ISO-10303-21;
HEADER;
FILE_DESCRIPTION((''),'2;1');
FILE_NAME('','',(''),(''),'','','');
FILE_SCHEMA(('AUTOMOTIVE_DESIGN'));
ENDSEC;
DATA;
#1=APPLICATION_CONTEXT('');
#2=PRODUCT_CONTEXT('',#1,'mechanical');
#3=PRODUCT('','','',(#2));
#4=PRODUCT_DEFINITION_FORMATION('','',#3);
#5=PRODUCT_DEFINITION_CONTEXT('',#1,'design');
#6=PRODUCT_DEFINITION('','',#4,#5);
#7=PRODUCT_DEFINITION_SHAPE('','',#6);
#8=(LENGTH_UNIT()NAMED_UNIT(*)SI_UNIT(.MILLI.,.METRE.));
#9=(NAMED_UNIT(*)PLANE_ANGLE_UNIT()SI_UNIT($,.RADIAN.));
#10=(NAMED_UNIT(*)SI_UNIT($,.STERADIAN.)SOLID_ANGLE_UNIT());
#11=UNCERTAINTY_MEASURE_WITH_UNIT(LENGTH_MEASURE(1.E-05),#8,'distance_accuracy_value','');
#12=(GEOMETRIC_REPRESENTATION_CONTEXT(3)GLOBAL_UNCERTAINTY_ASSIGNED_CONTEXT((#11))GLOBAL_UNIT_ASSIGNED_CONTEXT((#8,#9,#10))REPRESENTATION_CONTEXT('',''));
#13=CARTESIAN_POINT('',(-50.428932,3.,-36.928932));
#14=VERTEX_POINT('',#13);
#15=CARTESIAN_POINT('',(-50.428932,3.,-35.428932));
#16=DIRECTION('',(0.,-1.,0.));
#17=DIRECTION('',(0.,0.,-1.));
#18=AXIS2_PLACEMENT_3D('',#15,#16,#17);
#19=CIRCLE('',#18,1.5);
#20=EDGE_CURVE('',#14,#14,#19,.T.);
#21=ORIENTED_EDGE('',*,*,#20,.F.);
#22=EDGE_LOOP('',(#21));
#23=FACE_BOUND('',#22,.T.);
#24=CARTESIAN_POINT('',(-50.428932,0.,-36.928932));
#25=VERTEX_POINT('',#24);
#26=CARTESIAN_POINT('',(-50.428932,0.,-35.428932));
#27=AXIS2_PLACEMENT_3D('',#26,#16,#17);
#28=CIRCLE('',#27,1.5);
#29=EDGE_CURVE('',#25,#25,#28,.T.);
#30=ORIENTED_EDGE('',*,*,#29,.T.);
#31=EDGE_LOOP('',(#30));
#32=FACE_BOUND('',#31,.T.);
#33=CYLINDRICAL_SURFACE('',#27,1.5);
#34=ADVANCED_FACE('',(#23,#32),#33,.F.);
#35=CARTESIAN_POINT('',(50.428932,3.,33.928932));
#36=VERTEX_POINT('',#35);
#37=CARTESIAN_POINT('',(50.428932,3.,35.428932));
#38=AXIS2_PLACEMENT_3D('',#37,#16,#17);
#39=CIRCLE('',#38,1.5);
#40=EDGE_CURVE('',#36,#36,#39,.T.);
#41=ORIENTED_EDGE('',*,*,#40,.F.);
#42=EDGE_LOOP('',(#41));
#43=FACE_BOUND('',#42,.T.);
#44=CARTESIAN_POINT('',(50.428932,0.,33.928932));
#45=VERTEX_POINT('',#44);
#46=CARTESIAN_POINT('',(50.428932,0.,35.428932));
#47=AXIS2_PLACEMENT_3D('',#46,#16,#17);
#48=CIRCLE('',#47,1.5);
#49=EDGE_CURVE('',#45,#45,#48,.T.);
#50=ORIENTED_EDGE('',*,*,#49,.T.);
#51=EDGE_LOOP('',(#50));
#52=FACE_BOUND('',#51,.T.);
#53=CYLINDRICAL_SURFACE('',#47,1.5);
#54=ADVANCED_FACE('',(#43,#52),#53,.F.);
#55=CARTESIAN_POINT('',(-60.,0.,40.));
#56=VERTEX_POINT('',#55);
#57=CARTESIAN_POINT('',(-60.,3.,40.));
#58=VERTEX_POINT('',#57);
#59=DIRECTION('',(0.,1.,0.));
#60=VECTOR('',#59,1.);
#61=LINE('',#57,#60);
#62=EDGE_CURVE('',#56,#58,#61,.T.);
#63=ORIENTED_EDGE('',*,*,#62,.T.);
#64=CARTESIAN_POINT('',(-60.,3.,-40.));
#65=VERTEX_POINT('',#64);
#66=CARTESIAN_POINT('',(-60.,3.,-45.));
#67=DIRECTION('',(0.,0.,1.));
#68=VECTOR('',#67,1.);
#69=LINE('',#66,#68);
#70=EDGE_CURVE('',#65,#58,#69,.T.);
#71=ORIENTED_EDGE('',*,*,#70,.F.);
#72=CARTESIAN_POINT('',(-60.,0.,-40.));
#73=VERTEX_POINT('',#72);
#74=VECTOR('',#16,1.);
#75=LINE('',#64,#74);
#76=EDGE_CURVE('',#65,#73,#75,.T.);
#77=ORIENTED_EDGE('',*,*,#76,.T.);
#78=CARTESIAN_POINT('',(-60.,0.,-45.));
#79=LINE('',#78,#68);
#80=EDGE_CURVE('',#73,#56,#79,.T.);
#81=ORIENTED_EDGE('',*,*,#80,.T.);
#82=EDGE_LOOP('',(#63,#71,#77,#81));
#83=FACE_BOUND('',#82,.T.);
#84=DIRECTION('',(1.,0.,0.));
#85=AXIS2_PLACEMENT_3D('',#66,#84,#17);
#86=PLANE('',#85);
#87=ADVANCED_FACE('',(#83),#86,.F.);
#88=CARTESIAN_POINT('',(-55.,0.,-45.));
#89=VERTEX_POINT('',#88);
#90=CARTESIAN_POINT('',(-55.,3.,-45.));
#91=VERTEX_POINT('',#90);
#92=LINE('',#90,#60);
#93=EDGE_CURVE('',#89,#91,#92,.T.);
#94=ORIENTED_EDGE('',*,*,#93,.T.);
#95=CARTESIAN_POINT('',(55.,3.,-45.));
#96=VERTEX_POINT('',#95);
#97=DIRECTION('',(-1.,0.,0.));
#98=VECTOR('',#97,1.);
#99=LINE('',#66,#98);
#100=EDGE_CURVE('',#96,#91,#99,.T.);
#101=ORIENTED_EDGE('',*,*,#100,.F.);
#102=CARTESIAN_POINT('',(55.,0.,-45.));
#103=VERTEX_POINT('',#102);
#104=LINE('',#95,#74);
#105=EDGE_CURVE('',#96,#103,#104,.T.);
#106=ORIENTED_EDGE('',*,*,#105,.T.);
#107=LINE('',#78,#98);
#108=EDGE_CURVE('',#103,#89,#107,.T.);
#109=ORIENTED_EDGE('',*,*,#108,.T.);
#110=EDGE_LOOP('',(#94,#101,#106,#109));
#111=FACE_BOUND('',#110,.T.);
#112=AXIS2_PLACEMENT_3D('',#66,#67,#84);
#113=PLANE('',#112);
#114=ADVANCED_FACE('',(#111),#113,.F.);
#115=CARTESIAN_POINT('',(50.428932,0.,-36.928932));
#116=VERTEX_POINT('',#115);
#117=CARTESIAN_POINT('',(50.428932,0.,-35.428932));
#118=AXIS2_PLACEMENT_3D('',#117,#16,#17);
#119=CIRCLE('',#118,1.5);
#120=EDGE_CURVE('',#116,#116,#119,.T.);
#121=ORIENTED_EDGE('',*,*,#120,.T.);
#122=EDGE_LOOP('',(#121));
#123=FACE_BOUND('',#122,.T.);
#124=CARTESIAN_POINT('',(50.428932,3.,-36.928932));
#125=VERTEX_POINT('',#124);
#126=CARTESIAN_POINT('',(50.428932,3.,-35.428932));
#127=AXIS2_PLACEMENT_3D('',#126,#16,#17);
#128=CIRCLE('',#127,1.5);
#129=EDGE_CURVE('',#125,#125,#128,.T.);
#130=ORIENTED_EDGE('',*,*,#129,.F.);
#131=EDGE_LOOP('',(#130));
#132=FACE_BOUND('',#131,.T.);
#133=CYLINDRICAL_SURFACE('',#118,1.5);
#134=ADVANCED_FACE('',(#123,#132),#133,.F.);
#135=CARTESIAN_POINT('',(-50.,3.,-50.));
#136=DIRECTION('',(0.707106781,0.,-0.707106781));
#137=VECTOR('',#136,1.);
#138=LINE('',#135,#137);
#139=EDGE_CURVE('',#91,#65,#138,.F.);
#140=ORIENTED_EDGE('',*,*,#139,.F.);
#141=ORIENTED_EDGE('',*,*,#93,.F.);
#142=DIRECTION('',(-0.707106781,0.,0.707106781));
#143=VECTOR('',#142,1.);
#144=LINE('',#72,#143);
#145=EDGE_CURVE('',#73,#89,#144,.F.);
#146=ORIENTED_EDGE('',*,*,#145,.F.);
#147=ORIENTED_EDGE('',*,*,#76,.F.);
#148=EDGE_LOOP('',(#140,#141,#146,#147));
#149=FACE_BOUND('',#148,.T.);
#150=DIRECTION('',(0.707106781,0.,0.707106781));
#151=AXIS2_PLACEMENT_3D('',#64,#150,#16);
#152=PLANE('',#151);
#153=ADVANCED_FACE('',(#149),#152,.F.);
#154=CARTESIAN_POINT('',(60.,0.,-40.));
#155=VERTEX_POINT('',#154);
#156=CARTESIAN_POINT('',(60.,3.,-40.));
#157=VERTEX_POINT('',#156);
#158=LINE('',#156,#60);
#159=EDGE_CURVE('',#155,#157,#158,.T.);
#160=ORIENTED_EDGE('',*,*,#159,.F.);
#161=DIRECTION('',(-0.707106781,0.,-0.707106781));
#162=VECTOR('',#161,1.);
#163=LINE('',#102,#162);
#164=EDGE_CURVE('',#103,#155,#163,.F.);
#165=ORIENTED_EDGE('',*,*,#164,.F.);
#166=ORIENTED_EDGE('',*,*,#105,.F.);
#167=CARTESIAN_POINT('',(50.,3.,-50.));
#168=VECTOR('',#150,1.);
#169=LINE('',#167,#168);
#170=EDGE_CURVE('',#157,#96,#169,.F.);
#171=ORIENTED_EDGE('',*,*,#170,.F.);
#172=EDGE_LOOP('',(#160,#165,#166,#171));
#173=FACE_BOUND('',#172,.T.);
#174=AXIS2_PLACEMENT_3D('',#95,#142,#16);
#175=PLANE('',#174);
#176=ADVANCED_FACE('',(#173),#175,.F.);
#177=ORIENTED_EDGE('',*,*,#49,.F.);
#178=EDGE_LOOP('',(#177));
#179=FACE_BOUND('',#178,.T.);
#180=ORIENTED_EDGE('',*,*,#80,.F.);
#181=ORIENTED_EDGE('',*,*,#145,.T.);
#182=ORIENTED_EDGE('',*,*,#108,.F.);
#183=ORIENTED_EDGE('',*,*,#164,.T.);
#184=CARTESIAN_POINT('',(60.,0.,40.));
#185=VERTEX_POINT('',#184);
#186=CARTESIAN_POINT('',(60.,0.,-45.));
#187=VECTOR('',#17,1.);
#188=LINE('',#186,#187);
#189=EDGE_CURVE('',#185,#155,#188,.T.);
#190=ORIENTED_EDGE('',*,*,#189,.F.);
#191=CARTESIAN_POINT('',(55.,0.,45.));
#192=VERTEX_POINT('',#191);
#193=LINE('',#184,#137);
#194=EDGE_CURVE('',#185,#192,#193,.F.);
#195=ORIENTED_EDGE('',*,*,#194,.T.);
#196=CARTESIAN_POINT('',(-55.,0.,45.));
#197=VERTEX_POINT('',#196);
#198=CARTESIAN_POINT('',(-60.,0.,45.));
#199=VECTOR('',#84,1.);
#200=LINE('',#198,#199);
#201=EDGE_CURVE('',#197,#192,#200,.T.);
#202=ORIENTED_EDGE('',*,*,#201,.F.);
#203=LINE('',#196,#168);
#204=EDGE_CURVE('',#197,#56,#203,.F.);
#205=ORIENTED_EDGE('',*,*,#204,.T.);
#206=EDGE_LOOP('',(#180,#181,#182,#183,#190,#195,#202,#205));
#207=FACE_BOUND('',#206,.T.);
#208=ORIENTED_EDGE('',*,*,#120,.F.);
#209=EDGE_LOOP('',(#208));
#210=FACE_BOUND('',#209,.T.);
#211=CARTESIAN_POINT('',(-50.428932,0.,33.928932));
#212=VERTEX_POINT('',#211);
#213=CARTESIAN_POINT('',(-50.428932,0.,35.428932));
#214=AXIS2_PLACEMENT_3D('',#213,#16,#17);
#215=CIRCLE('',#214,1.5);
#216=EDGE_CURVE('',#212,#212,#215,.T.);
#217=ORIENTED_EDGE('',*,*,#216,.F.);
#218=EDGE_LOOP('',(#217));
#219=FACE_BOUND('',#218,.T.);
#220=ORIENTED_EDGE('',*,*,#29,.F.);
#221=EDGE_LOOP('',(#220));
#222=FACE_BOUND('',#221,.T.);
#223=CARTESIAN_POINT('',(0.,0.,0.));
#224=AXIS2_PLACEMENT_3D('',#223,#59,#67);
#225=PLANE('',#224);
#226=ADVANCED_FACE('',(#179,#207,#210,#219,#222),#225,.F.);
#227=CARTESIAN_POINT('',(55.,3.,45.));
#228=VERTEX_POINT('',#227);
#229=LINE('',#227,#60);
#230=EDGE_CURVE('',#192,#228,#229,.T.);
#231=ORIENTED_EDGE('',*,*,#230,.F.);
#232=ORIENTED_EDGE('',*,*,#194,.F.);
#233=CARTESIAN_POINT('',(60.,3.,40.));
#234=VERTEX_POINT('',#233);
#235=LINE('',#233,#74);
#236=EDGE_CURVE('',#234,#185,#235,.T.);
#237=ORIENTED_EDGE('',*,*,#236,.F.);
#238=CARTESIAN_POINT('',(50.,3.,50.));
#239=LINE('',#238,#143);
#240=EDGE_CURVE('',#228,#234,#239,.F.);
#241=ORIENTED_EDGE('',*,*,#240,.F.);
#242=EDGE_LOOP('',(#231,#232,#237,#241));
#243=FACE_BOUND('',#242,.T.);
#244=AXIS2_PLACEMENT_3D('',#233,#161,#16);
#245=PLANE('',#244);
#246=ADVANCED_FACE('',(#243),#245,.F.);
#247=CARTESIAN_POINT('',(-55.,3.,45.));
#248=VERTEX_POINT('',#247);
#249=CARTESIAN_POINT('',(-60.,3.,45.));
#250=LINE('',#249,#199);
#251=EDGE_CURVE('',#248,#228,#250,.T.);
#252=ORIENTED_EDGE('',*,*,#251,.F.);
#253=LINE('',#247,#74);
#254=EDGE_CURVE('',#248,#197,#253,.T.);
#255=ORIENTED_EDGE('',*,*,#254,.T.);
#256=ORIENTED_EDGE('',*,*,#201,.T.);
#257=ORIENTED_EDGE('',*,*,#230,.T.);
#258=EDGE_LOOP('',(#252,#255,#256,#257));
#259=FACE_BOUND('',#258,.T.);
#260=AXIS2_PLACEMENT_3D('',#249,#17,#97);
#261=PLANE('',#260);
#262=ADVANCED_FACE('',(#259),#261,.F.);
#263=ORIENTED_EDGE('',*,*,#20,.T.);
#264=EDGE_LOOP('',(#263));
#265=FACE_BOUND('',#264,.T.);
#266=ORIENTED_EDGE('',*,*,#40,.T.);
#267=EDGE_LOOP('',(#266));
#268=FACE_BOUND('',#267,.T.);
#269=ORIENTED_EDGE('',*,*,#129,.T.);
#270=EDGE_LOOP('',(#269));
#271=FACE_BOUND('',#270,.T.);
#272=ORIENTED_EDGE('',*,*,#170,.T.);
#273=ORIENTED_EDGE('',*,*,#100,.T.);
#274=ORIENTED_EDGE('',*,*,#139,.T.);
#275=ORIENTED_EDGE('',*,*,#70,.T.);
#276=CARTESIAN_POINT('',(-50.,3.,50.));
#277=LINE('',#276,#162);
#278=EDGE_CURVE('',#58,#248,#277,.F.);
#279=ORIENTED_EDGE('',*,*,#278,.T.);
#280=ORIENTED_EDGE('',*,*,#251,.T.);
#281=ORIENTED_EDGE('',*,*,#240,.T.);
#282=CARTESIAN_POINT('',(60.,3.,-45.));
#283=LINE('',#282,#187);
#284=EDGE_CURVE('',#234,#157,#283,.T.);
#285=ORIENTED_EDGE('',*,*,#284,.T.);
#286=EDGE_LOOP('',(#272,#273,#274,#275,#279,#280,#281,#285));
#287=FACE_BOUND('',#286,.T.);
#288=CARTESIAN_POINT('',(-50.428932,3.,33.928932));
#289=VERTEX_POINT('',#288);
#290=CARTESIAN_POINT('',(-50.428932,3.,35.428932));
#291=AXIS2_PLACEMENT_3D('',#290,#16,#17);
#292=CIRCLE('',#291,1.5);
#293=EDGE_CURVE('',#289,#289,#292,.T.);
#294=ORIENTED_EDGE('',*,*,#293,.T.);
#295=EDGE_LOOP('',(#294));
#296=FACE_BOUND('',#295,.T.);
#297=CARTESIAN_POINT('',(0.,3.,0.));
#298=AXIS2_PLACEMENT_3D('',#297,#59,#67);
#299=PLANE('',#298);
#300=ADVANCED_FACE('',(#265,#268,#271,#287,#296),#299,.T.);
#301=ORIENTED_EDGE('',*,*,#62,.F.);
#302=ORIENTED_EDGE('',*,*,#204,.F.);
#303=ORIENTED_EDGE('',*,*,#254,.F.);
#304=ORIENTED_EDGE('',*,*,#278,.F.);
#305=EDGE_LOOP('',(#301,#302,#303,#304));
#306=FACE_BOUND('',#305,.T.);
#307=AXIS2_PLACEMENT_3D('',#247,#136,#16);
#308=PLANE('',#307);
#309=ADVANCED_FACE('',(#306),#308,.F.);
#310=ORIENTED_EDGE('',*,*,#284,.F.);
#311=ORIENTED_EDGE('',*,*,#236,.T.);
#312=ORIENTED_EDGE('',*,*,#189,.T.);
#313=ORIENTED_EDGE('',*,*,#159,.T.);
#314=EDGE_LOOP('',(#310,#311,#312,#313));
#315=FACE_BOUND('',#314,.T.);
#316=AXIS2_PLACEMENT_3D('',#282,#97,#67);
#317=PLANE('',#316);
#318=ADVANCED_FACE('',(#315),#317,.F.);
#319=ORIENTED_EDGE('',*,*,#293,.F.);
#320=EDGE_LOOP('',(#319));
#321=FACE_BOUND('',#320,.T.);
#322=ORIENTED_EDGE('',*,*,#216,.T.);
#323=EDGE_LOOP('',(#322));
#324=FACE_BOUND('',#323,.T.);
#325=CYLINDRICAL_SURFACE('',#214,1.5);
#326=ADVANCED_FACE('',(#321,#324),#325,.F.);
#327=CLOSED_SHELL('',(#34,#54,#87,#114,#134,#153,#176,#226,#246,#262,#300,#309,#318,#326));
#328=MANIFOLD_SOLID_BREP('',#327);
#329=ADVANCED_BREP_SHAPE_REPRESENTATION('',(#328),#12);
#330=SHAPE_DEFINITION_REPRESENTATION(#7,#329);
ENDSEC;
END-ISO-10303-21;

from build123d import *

# Parameters (mm, degrees)
SKETCH1_W                            = 120
SKETCH1_H                            = 90
BOSS_EXTRUDE1_DEPTH                  = 3
CHAMFER1_SIZE                        = 5
F_3_0_3_DIAMETER_HOLE2_D             = 3
MIRROR1_AT_THE_SECOND_PLANE_COPY_1_D = 3


with BuildPart() as part:
    # Sketch1 → Boss-Extrude1 (new body)
    with BuildSketch(Plane(origin=(0, 0, 0), x_dir=(1, 0, 0), z_dir=(0, 1, 0))):
        Rectangle(SKETCH1_W, SKETCH1_H)
    extrude(amount=BOSS_EXTRUDE1_DEPTH)

    # Chamfer1
    chamfer1_edges = [part.edges().sort_by_distance(p)[0] for p in [
        (60, 1.5, 45),
        (-60, 1.5, 45),
        (-60, 1.5, -45),
        (60, 1.5, -45),
    ]]
    chamfer(chamfer1_edges, length=CHAMFER1_SIZE)

    # Ø3.0 (3) Diameter Hole2 (through all)
    with Locations(Plane.XZ):
        with Locations((-50.428932188, 35.428932188)):
            f_3_0_3_diameter_hole2 = Hole(F_3_0_3_DIAMETER_HOLE2_D / 2)

    # Mirror1: Ø3.0 (3) Diameter Hole2 across plane
    add(f_3_0_3_diameter_hole2.mirror(Plane.XY), mode=Mode.SUBTRACT)

    # Mirror1 at the second plane: Ø3.0 (3) Diameter Hole2 across plane
    add(f_3_0_3_diameter_hole2.mirror(Plane(origin=(0, 0, 0), x_dir=(0, 0, 1), z_dir=(1, 0, 0))), mode=Mode.SUBTRACT)

    # Mirror1 at the second plane copy 1 (through all)
    with Locations(Plane(origin=(0, 0, 0), x_dir=(-1, 0, 0), z_dir=(0, -1, 0))):
        with Locations((-50.428932188, 35.428932188)):
            Hole(MIRROR1_AT_THE_SECOND_PLANE_COPY_1_D / 2)


solid = part.part
